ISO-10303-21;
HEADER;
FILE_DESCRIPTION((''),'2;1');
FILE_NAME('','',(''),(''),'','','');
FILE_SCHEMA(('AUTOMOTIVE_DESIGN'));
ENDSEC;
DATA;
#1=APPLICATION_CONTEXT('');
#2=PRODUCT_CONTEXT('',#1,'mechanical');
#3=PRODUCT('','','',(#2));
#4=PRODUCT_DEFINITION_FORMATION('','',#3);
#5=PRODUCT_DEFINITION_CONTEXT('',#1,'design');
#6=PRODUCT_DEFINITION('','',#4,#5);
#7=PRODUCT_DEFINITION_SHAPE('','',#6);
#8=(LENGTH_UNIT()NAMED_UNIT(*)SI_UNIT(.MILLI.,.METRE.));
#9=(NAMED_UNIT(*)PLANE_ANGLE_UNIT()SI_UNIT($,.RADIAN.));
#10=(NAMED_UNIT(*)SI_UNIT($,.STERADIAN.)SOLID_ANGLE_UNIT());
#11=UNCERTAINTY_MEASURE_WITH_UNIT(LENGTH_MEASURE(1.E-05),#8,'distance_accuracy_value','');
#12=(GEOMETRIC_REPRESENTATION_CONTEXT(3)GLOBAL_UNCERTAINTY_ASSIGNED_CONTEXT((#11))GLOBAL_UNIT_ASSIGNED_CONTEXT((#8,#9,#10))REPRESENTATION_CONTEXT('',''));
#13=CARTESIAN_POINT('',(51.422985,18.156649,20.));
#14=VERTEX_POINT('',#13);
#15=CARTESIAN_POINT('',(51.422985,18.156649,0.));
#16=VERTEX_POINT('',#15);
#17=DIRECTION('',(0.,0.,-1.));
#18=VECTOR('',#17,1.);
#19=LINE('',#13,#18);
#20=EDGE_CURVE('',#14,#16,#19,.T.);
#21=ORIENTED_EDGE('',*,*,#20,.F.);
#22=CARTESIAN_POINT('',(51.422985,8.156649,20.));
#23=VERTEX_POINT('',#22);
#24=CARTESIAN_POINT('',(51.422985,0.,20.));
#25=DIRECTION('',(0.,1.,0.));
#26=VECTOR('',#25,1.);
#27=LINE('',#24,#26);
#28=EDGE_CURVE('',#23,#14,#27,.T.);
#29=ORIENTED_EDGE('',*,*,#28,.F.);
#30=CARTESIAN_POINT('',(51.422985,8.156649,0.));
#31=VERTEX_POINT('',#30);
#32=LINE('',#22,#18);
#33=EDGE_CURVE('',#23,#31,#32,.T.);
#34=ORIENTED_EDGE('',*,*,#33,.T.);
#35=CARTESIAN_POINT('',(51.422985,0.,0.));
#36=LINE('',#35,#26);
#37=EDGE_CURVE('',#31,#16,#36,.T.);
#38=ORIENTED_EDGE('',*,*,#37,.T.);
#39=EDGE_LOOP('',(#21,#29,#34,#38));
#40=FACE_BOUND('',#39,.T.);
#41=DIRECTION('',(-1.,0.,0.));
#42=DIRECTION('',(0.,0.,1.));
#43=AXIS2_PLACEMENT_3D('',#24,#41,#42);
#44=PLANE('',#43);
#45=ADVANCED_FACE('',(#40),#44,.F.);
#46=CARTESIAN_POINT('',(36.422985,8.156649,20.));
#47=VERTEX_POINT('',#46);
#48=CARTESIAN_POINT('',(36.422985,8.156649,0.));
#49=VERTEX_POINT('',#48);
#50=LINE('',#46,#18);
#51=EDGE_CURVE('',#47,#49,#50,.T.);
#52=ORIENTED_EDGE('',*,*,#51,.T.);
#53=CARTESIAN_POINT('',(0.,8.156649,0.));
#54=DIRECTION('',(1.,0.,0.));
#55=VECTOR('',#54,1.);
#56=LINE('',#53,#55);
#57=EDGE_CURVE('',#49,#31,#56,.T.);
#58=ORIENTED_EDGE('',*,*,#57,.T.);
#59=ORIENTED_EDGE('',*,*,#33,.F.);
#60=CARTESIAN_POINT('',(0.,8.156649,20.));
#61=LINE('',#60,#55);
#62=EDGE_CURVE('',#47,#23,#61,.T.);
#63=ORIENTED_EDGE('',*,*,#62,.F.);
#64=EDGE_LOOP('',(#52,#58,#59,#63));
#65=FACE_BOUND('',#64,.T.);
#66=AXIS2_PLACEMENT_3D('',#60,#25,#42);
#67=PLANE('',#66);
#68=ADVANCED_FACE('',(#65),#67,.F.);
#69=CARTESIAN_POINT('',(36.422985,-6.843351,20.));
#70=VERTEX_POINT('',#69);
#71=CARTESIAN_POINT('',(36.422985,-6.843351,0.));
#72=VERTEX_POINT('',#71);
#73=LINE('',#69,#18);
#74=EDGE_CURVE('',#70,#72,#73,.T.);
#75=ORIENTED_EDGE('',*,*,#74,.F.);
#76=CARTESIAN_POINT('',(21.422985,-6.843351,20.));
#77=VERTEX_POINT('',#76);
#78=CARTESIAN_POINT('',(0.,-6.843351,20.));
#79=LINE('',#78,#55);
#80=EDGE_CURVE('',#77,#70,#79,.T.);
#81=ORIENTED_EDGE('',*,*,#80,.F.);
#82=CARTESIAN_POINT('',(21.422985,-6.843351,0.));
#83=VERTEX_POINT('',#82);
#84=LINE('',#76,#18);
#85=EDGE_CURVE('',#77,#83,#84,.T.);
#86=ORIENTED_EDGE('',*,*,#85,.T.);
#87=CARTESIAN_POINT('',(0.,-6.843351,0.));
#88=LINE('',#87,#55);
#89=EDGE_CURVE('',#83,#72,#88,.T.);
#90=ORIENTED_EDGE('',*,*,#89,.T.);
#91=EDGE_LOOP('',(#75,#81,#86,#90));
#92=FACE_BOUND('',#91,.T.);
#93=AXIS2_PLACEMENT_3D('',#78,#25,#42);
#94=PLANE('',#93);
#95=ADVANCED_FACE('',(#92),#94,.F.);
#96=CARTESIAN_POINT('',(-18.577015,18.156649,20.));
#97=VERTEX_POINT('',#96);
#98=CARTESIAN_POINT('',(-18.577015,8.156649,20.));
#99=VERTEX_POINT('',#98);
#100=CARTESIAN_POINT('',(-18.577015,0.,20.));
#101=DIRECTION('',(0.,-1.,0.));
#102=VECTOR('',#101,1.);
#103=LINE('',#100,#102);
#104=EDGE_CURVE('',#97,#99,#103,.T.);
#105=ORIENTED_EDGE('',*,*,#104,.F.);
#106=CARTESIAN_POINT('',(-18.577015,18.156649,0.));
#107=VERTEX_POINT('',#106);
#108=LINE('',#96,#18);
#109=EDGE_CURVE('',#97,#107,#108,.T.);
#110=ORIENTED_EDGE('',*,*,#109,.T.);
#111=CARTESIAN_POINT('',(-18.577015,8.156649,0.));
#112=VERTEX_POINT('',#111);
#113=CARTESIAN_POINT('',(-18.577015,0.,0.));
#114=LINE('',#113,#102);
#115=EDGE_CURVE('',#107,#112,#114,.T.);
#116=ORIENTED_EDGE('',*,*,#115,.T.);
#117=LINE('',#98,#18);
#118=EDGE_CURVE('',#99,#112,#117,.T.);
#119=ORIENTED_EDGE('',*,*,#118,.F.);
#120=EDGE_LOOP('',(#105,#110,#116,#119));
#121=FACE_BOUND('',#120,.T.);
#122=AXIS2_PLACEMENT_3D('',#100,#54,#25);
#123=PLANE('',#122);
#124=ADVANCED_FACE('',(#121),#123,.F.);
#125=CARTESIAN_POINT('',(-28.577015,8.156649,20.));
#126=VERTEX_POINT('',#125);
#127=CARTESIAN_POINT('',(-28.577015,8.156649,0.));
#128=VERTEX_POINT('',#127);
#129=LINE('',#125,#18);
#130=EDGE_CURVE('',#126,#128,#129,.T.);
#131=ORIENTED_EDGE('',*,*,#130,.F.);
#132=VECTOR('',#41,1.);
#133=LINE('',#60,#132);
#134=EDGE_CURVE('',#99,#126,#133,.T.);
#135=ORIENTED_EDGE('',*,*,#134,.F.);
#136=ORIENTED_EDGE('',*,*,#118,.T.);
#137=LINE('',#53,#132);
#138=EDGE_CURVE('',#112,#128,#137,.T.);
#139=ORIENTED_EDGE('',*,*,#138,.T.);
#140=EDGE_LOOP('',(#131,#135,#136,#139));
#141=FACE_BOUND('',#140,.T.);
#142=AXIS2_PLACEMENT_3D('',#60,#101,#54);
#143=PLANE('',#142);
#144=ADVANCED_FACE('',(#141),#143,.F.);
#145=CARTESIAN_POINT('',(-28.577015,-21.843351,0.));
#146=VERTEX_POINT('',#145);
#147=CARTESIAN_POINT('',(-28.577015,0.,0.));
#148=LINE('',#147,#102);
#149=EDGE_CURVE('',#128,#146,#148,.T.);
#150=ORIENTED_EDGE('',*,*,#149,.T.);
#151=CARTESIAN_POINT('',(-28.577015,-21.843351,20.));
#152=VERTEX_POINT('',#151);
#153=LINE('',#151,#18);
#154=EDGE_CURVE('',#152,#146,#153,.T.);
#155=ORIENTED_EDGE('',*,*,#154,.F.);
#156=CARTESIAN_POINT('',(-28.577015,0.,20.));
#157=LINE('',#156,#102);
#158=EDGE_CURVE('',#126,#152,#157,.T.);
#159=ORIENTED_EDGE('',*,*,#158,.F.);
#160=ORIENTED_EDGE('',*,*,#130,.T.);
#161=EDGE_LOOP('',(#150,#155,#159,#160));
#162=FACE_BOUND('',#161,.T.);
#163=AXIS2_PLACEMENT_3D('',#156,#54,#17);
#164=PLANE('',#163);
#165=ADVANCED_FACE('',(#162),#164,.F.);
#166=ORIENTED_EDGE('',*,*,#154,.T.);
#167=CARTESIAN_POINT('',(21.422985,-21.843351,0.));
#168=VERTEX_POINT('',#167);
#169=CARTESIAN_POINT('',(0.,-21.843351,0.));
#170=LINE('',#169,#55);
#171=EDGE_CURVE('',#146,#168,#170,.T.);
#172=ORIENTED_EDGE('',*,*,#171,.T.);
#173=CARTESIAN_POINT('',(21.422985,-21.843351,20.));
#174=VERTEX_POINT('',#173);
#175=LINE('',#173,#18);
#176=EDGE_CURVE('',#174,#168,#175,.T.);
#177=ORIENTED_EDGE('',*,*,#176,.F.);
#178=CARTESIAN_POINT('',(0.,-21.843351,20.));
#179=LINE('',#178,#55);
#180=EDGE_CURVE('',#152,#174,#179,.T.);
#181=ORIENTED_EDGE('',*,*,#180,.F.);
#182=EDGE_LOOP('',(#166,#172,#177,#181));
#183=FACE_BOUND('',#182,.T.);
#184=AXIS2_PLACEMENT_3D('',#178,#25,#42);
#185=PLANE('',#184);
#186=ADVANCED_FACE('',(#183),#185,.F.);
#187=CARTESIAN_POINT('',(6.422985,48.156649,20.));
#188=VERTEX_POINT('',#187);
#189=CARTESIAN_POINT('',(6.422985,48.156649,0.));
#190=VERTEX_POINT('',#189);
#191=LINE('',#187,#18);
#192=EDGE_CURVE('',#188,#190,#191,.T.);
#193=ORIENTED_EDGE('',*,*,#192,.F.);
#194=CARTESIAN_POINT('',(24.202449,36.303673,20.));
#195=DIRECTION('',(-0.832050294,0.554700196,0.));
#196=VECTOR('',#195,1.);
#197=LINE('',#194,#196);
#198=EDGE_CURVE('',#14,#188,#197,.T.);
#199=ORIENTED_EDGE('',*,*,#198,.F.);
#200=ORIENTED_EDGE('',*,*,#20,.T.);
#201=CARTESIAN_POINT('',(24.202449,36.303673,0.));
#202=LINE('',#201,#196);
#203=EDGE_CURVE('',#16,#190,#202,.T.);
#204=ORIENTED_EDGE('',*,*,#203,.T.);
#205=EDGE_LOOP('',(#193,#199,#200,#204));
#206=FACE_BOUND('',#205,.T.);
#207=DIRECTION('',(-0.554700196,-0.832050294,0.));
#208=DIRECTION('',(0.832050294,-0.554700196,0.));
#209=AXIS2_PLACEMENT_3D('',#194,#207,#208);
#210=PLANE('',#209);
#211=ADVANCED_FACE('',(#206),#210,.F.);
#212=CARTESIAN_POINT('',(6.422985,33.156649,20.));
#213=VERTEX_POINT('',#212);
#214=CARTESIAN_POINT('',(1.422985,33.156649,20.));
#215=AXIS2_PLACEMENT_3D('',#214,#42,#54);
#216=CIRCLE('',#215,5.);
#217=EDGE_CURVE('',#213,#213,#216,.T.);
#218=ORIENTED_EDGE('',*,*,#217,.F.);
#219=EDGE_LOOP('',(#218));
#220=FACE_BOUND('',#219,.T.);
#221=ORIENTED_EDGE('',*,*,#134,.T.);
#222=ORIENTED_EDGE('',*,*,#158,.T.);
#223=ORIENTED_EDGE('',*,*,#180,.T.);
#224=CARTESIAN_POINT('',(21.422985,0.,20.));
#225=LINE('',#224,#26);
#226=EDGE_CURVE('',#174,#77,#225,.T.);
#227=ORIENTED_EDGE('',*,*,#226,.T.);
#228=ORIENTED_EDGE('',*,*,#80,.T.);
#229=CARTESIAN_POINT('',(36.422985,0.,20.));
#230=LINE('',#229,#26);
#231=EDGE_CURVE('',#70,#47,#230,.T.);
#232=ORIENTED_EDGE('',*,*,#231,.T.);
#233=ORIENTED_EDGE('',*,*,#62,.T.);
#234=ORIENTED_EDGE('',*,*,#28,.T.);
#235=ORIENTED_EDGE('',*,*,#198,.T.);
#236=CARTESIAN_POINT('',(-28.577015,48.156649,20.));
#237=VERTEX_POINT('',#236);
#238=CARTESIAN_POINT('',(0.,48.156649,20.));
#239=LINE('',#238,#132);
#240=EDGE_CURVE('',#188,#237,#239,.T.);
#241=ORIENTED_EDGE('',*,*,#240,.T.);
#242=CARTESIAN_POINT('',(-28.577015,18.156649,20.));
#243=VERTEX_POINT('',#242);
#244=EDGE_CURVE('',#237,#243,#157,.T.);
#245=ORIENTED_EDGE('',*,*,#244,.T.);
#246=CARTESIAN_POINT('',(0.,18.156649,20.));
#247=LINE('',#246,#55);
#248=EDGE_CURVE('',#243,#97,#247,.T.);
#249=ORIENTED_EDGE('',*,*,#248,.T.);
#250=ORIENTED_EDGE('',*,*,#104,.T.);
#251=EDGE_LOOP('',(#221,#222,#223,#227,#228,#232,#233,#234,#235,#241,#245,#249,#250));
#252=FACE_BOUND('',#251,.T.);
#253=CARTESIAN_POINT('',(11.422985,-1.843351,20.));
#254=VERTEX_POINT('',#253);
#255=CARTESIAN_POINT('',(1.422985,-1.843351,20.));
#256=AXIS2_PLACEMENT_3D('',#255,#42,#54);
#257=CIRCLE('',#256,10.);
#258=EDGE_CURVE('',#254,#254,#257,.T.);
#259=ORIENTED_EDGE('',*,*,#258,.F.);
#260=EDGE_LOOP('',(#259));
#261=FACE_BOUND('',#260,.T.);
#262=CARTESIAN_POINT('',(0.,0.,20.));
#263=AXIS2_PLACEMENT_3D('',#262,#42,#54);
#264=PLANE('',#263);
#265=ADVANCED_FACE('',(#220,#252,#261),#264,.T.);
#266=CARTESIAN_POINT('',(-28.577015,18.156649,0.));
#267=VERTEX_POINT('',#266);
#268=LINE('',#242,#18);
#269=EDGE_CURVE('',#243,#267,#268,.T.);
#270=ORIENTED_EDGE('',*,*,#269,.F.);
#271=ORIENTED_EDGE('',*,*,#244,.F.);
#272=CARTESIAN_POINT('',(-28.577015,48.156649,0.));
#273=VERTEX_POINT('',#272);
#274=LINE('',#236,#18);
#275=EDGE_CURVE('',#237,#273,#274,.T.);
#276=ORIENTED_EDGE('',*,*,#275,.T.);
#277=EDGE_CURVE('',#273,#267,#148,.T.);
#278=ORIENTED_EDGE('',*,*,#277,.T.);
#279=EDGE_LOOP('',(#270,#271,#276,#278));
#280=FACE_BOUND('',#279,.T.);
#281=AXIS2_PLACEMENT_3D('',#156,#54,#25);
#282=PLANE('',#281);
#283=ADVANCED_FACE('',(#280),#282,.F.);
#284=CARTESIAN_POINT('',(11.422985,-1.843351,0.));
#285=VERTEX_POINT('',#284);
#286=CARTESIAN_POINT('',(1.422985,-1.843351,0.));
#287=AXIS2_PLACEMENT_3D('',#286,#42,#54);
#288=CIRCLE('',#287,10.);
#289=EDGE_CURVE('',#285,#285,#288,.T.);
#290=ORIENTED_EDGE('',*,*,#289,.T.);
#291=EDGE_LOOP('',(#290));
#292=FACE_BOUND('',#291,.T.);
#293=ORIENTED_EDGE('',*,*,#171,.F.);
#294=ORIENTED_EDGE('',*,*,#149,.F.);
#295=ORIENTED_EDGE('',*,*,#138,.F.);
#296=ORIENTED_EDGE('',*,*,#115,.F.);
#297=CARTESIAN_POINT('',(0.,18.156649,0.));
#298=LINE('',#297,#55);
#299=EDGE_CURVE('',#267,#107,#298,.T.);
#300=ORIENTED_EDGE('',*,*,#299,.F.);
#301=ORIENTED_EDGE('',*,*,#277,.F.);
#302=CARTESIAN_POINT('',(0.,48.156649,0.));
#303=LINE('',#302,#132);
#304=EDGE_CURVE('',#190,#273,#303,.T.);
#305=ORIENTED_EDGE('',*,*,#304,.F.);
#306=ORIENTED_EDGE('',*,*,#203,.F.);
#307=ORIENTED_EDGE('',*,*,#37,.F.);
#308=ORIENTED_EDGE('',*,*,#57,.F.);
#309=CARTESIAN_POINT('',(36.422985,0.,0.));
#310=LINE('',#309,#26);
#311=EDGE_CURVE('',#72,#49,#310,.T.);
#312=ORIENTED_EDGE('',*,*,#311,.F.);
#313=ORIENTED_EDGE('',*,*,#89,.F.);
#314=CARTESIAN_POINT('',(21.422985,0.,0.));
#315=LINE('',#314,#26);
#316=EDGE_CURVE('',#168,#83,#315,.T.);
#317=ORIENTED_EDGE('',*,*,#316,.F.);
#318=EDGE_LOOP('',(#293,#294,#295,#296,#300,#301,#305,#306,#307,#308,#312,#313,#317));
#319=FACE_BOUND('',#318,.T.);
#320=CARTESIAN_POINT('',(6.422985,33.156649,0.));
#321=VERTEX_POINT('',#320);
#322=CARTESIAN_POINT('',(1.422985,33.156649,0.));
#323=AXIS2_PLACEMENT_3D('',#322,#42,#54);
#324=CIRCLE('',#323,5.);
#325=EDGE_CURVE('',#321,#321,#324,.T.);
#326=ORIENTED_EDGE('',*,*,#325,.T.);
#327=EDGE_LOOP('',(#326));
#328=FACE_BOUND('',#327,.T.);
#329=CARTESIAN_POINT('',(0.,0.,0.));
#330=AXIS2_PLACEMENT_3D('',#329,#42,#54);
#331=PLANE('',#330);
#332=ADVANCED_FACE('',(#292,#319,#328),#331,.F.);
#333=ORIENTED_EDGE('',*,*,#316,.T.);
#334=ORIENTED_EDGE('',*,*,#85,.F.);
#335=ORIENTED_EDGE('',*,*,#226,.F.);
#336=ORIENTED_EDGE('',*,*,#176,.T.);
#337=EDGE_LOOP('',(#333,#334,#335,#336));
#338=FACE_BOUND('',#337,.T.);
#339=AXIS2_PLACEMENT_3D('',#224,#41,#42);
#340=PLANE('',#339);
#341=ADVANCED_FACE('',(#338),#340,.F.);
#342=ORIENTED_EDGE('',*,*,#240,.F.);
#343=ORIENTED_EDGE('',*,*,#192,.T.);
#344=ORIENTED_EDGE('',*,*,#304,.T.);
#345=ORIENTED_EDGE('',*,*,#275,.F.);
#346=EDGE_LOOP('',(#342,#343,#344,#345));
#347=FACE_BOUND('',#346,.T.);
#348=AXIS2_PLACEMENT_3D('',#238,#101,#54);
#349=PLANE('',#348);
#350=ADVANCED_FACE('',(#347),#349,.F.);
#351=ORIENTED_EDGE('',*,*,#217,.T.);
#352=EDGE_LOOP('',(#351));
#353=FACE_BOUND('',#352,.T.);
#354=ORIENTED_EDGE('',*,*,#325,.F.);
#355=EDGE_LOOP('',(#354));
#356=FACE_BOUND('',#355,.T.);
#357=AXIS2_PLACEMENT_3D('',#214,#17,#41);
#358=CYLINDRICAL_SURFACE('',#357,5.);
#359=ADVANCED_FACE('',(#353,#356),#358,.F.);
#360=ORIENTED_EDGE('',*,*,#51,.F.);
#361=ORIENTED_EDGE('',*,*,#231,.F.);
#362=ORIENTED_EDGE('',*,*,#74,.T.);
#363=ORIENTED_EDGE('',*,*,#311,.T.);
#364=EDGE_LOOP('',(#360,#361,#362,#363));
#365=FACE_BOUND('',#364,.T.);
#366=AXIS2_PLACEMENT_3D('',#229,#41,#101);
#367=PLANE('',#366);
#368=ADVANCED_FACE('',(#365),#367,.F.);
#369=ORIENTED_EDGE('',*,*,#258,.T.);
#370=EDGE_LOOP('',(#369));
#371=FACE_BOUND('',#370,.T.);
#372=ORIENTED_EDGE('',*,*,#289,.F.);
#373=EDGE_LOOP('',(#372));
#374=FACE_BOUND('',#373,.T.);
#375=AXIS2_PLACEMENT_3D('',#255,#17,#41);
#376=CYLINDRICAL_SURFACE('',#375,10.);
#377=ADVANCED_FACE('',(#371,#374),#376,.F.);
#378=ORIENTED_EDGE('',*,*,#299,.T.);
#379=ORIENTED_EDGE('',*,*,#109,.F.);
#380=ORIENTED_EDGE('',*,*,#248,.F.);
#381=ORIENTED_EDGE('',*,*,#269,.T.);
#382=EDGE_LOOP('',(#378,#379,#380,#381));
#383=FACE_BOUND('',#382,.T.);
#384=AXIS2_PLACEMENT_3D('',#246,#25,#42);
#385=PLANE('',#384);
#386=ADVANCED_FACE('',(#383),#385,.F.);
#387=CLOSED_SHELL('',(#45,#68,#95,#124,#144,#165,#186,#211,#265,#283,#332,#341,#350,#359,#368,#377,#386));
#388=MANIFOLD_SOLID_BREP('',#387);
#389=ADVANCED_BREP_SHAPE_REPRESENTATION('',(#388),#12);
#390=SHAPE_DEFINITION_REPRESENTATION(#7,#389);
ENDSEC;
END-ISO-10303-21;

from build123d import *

# Parameters (mm, degrees)
SKETCH1_R           = 10
SKETCH1_R_2         = 5
BOSS_EXTRUDE3_DEPTH = 20


with BuildPart() as part:
    # Sketch1 → Boss-Extrude3 (new body)
    with BuildSketch(Plane.XY):
        Polygon((-28.577015359, 8.156649179), (-28.577015359, 0.131238945), (-28.577015359, 0), (-28.577015359, -21.843350821), (21.422984641, -21.843350821), (21.422984641, -6.843350821), (36.422984641, -6.843350821), (36.422984641, 8.156649179), (51.422984641, 8.156649179), (51.422984641, 18.156649179), (6.422984641, 48.156649179), (-28.577015359, 48.156649179), (-28.577015359, 18.156649179), (-18.577015359, 18.156649179), (-18.577015359, 8.156649179), align=None)
        with Locations((1.422984641, -1.843350821)):
            Circle(SKETCH1_R, mode=Mode.SUBTRACT)
        with Locations((1.422984641, 33.156649179)):
            Circle(SKETCH1_R_2, mode=Mode.SUBTRACT)
    extrude(amount=BOSS_EXTRUDE3_DEPTH)


solid = part.part
